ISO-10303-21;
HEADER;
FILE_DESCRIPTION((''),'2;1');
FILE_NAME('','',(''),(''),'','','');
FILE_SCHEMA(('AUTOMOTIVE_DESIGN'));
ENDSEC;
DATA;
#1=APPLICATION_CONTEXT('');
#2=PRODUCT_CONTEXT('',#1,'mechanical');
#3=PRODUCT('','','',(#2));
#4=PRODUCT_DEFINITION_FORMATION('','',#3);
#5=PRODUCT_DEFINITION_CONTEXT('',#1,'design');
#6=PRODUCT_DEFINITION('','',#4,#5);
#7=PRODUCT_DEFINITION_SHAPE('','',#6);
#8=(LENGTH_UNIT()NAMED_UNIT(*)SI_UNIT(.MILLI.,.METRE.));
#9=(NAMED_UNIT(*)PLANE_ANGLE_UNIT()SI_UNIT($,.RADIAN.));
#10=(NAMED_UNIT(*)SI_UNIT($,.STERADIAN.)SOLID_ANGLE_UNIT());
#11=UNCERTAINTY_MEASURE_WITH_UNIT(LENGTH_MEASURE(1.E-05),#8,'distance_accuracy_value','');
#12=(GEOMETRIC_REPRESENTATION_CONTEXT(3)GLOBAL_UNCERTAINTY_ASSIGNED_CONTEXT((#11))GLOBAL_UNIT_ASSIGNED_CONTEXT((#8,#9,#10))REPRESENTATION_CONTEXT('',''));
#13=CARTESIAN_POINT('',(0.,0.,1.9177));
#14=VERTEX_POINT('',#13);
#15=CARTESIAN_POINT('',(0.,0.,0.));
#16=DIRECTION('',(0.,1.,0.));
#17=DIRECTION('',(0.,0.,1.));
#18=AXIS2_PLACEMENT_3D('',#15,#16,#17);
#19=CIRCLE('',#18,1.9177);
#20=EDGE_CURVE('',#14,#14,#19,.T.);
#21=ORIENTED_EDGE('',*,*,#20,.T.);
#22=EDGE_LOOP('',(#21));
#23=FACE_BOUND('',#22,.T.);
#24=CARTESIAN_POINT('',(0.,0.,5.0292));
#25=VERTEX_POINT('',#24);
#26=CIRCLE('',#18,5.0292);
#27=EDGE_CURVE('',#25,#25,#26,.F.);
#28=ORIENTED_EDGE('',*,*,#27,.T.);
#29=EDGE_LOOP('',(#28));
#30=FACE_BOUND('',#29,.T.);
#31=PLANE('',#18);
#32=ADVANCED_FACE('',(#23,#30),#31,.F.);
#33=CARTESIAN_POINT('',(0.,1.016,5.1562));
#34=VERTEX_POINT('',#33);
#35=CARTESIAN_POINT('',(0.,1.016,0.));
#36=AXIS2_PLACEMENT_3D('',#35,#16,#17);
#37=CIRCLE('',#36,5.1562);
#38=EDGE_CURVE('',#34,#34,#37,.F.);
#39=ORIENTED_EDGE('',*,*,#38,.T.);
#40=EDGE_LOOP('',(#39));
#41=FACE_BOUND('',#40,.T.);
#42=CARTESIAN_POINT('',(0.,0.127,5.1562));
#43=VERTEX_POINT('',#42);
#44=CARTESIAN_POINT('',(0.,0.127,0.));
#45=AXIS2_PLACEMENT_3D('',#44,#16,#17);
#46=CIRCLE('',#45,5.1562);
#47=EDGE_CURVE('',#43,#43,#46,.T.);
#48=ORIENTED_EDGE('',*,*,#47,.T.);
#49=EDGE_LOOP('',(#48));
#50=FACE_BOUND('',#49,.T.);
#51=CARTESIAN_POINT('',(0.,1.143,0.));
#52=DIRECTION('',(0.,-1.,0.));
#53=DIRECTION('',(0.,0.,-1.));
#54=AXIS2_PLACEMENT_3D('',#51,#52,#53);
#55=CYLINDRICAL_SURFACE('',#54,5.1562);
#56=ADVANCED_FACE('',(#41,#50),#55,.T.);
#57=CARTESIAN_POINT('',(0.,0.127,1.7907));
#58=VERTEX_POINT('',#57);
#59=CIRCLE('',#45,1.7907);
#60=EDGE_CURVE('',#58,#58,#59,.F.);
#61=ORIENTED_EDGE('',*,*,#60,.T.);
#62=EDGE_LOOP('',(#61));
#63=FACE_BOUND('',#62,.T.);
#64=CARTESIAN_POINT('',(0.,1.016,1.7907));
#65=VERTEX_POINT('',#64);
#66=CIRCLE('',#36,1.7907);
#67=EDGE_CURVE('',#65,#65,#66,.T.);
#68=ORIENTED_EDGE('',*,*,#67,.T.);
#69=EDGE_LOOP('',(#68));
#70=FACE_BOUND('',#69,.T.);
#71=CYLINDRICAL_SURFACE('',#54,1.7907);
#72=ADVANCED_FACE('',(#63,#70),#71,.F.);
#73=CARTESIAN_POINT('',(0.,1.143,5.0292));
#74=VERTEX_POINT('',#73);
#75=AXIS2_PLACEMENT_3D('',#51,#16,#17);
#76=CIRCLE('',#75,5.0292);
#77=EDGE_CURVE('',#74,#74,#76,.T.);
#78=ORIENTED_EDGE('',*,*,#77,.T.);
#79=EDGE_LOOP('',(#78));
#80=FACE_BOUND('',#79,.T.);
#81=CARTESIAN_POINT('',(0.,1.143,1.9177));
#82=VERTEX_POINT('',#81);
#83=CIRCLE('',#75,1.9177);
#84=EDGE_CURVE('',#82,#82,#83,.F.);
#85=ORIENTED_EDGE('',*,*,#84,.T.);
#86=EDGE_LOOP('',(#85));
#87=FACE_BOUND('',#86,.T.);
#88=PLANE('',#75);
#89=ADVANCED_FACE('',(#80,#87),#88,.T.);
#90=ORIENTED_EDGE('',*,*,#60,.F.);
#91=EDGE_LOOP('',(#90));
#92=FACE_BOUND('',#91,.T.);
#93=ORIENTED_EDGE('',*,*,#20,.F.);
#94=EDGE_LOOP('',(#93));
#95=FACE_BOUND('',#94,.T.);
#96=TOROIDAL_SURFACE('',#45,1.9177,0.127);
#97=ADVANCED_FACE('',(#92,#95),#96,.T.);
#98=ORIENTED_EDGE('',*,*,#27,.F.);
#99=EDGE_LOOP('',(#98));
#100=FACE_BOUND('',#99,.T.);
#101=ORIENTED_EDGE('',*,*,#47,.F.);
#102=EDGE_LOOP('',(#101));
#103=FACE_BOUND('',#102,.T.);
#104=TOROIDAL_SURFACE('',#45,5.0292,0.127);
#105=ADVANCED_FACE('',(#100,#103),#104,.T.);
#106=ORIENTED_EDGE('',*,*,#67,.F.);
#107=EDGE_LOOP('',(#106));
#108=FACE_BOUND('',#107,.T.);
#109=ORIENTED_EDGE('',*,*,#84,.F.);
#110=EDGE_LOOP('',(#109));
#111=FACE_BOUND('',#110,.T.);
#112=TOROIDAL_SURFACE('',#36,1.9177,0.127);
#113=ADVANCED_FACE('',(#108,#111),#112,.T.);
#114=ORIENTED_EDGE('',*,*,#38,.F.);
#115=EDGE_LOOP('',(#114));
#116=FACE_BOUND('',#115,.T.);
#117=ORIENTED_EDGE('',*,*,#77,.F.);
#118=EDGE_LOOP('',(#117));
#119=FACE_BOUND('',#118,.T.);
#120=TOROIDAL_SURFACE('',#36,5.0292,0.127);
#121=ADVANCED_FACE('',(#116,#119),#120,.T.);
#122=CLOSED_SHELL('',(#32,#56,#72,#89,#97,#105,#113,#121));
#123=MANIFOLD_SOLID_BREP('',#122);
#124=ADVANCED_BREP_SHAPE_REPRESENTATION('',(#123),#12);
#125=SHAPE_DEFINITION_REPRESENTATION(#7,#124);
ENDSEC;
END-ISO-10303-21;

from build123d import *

# Parameters (mm, degrees)
SKETCH1_R           = 5.1562
SKETCH1_R_2         = 1.7907
BOSS_EXTRUDE1_DEPTH = 1.143
FILLET1_R           = 0.127
FILLET2_R           = 0.127
FILLET3_R           = 0.127


with BuildPart() as part:
    # Sketch1 → Boss-Extrude1 (new body)
    with BuildSketch(Plane(origin=(0, 0, 0), x_dir=(1, 0, 0), z_dir=(0, 1, 0))):
        Circle(SKETCH1_R)
        Circle(SKETCH1_R_2, mode=Mode.SUBTRACT)
    extrude(amount=BOSS_EXTRUDE1_DEPTH)

    # Fillet1
    fillet1_edges = [part.edges().sort_by_distance(p)[0] for p in [
        (-5.1562, 1.143, 0),
    ]]
    fillet(fillet1_edges, radius=FILLET1_R)

    # Fillet2
    fillet2_edges = [part.edges().sort_by_distance(p)[0] for p in [
        (-5.1562, 0, 0),
    ]]
    fillet(fillet2_edges, radius=FILLET2_R)

    # Fillet3
    fillet3_edges = [part.edges().sort_by_distance(p)[0] for p in [
        (-1.7907, 0, 0),
        (-1.7907, 1.143, 0),
    ]]
    fillet(fillet3_edges, radius=FILLET3_R)


solid = part.part
